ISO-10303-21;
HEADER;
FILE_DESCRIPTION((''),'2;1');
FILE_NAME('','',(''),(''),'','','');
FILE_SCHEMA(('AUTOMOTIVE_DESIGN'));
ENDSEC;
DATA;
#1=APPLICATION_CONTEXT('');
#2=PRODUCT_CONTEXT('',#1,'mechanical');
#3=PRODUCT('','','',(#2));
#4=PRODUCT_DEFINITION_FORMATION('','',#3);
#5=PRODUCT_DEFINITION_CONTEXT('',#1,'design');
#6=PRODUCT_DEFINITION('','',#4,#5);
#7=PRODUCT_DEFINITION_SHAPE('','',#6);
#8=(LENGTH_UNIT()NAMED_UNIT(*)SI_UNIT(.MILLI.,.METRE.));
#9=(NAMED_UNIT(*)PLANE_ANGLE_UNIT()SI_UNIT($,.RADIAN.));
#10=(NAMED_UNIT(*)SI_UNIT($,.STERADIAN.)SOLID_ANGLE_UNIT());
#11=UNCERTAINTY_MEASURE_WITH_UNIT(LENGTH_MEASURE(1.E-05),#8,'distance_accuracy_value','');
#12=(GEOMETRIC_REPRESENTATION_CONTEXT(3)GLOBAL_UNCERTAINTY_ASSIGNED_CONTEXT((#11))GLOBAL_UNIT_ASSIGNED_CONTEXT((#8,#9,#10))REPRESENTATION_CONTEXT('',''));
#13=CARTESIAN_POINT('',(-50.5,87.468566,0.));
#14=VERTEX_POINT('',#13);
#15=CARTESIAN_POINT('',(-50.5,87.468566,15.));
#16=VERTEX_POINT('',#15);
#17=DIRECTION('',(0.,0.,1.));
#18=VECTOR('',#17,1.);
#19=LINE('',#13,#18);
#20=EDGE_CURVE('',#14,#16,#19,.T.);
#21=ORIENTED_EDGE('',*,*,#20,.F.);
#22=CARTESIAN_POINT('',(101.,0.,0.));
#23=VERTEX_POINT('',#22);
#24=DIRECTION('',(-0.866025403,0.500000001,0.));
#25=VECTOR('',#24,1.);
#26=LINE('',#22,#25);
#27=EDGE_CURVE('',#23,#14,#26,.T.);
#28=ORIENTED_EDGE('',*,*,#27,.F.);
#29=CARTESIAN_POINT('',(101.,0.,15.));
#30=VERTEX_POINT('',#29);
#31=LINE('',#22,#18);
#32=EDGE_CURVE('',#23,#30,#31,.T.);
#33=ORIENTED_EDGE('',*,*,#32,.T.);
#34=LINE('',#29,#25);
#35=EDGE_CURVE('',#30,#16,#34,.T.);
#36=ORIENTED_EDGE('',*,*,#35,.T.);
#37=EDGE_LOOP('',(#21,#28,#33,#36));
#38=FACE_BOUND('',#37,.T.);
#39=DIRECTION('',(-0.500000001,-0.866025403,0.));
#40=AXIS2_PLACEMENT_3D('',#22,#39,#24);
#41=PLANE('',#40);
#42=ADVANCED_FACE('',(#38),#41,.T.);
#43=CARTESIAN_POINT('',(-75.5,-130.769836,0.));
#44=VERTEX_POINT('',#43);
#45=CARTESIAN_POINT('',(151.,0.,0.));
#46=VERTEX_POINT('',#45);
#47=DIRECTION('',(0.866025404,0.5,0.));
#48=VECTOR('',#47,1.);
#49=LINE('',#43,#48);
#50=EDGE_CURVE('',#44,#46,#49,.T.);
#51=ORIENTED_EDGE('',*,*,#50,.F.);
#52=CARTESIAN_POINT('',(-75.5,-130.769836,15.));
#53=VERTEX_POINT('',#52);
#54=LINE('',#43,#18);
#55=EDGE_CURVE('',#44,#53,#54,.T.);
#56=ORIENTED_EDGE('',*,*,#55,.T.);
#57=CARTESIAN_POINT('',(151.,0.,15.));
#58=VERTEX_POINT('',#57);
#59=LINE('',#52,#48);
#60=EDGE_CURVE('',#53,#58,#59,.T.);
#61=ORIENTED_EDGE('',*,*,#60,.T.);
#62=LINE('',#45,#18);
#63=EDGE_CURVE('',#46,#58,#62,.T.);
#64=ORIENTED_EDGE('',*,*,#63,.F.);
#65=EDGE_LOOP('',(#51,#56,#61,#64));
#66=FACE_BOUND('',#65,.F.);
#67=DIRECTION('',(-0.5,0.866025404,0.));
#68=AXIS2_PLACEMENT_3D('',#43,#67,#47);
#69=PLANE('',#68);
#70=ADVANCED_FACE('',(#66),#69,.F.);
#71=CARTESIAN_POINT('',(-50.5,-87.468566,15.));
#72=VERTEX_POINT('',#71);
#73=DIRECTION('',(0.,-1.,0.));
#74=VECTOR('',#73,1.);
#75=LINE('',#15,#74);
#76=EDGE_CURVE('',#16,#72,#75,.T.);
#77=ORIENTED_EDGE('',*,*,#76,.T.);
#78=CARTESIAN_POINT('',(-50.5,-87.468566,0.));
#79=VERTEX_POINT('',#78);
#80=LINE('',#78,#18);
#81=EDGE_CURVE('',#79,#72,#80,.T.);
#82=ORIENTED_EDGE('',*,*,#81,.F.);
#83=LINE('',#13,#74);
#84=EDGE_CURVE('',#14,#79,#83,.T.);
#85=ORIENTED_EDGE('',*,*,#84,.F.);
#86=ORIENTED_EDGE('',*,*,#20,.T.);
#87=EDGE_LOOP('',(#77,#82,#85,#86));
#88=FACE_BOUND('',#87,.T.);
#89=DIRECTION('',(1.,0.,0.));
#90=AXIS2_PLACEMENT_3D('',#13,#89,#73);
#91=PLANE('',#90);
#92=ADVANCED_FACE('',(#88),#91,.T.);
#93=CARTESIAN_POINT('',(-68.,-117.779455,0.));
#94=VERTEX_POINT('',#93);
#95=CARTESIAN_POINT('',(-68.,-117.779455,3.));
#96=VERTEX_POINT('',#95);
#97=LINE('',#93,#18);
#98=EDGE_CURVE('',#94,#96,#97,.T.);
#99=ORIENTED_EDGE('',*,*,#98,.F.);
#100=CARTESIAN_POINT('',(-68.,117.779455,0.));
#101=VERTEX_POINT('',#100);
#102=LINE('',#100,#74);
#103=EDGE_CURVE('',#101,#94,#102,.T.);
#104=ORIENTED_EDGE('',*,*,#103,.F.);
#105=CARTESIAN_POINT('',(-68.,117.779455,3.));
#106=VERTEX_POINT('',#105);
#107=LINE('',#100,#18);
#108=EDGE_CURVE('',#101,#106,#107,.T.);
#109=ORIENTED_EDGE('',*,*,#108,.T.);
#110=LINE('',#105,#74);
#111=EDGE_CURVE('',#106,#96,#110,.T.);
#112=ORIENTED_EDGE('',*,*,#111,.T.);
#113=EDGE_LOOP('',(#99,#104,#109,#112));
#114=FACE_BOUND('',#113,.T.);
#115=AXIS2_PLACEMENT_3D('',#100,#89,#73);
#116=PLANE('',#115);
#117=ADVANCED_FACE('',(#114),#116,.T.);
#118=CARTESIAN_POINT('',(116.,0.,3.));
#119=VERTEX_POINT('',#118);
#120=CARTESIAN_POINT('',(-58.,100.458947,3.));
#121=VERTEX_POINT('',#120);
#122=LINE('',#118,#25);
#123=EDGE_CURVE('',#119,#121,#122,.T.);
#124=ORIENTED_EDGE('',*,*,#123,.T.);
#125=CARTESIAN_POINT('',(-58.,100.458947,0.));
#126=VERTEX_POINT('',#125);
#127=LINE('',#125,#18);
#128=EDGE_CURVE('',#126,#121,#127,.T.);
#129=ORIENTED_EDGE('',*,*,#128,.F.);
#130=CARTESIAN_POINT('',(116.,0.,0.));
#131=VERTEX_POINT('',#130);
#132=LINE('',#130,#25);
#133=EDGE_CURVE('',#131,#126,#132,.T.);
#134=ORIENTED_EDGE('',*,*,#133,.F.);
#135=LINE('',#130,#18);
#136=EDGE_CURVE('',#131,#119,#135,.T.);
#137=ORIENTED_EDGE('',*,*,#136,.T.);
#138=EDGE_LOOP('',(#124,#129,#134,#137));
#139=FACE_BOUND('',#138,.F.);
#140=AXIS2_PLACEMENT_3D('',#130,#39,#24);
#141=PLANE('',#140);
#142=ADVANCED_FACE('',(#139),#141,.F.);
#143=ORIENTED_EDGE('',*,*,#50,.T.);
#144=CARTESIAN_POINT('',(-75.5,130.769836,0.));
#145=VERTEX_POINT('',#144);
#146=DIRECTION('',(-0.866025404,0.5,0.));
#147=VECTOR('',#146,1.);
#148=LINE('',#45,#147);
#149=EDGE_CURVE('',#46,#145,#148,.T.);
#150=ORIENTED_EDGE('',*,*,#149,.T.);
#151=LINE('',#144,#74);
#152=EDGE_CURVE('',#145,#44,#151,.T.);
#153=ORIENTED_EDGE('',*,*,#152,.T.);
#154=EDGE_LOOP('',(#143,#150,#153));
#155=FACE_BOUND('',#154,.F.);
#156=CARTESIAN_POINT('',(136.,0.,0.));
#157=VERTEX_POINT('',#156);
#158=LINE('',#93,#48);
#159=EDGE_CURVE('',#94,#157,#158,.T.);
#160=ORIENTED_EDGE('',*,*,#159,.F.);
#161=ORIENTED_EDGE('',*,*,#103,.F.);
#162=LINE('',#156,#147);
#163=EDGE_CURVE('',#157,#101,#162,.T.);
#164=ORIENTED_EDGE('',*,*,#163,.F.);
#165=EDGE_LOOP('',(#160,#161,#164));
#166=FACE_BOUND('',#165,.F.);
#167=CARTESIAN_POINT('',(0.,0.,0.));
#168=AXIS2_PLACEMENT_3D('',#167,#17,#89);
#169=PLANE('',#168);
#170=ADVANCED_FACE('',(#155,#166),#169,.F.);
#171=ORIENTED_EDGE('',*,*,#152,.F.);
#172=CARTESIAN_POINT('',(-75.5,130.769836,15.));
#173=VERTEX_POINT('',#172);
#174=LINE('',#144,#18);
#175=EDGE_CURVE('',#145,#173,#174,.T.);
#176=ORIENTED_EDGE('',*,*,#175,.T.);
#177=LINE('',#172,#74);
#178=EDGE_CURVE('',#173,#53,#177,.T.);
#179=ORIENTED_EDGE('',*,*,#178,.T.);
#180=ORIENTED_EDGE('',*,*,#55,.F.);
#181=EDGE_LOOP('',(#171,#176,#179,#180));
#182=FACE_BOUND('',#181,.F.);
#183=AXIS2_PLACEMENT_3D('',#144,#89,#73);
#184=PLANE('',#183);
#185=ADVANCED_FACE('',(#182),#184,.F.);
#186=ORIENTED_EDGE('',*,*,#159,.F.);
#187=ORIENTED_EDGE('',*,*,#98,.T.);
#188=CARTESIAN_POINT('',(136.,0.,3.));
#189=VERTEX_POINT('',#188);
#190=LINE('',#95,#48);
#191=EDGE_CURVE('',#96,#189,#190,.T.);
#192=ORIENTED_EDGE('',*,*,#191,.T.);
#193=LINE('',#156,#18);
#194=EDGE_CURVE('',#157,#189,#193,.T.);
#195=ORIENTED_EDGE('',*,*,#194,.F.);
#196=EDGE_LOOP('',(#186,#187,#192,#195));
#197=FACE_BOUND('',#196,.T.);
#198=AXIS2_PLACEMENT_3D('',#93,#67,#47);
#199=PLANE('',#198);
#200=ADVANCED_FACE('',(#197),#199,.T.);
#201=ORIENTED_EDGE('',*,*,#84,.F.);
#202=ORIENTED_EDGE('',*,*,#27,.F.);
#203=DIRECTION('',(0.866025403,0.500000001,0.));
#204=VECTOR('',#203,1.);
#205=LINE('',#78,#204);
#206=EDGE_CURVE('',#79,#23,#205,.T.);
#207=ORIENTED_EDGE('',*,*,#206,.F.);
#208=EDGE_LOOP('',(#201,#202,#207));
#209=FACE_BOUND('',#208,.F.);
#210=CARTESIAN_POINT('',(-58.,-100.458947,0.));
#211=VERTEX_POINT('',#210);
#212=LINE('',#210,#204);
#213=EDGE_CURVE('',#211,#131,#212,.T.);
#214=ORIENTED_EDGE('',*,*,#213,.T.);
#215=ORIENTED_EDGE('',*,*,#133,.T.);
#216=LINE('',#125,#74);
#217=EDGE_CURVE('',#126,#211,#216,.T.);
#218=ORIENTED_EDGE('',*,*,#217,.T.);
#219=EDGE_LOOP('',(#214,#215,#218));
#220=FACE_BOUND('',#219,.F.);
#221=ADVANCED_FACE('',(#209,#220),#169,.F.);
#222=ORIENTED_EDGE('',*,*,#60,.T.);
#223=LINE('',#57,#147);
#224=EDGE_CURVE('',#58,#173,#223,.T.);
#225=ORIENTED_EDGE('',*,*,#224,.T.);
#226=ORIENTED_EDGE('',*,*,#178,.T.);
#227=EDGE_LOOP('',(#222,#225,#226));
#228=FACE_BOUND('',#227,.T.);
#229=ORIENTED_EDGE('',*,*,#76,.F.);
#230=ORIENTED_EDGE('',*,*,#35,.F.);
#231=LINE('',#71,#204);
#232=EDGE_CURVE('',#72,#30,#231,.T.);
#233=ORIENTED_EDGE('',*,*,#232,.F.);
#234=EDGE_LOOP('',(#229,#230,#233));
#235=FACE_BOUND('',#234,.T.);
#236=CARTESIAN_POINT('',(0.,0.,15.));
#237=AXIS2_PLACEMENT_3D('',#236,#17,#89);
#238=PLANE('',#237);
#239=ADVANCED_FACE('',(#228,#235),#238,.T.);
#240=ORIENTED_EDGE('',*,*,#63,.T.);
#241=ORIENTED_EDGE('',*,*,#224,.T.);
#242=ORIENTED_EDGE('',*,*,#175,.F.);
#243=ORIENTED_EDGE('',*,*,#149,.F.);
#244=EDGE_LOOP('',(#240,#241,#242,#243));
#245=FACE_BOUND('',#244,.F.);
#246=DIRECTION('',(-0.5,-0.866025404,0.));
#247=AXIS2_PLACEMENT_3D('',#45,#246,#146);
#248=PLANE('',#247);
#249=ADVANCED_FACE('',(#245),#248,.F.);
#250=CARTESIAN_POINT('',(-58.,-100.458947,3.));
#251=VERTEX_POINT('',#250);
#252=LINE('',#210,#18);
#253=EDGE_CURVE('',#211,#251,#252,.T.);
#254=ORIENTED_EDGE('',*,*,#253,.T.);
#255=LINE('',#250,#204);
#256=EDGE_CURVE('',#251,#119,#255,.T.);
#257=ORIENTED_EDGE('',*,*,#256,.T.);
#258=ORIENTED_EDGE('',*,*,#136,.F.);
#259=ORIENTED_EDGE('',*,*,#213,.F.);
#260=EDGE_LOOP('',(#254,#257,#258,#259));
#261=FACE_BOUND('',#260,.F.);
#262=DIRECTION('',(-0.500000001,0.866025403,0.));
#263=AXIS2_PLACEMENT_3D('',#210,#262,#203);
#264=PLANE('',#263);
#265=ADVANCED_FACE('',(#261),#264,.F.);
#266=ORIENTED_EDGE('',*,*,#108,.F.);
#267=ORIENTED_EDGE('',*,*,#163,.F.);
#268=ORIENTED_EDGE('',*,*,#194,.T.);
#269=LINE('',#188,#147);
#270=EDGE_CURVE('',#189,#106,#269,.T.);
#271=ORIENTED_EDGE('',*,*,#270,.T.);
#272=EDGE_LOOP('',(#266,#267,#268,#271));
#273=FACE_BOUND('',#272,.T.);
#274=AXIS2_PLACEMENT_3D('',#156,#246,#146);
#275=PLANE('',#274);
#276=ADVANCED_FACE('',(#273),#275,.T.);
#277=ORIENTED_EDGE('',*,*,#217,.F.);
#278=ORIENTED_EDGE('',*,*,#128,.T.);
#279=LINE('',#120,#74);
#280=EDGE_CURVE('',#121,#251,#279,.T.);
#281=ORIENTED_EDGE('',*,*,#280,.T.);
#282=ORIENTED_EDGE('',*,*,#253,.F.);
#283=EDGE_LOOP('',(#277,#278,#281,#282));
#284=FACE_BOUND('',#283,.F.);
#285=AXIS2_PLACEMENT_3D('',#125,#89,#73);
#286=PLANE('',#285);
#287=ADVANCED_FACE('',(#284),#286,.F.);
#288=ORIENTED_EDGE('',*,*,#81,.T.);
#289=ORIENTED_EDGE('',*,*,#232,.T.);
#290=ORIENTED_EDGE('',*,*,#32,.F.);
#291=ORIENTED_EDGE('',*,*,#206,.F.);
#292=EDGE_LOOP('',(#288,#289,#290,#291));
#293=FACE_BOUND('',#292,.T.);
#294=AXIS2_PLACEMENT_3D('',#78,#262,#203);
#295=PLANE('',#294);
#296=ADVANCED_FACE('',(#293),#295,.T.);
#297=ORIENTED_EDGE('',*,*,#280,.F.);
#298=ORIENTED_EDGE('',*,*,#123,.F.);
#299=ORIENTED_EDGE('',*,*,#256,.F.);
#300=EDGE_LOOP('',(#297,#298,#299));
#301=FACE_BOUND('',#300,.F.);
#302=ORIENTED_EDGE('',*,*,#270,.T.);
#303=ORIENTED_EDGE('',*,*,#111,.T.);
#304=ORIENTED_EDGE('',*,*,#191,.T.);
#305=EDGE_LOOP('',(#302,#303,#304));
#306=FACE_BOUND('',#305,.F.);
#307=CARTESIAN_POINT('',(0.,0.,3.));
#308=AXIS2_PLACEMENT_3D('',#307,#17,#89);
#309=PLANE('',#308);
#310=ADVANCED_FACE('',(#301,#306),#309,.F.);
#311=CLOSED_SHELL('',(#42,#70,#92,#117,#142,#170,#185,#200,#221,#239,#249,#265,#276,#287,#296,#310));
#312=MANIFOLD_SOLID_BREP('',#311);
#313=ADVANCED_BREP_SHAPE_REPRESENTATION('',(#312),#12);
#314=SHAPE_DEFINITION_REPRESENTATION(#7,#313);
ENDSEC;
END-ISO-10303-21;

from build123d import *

# Parameters (mm, degrees)
PRISM003_DEPTH = 15
PRISM001_DEPTH = 3
PRISM_DEPTH    = 3
PRISM002_DEPTH = 15


with BuildPart() as prism003:
    # Prism003 → Prism003 (new body)
    with BuildSketch(Plane.XY):
        Polygon((101, 0), (-50.5, 87.468566), (-50.5, -87.468566), align=None)
    extrude(amount=PRISM003_DEPTH)


with BuildPart() as prism001:
    # Prism001 → Prism001 (new body)
    with BuildSketch(Plane.XY):
        Polygon((116, 0), (-58, 100.458947), (-58, -100.458947), align=None)
    extrude(amount=PRISM001_DEPTH)


with BuildPart() as cut:
    # Prism → Prism (new body)
    with BuildSketch(Plane.XY):
        Polygon((136, 0), (-68, 117.779455), (-68, -117.779455), align=None)
    extrude(amount=PRISM_DEPTH)

    # Cut: cut Prism001
    add(prism001.part, mode=Mode.SUBTRACT)


with BuildPart() as cut002:
    # Prism002 → Prism002 (new body)
    with BuildSketch(Plane.XY):
        Polygon((151, 0), (-75.5, 130.769836), (-75.5, -130.769836), align=None)
    extrude(amount=PRISM002_DEPTH)

    # Cut001: cut Cut
    add(cut.part, mode=Mode.SUBTRACT)

    # Cut002: cut Prism003
    add(prism003.part, mode=Mode.SUBTRACT)


solid = cut002.part
